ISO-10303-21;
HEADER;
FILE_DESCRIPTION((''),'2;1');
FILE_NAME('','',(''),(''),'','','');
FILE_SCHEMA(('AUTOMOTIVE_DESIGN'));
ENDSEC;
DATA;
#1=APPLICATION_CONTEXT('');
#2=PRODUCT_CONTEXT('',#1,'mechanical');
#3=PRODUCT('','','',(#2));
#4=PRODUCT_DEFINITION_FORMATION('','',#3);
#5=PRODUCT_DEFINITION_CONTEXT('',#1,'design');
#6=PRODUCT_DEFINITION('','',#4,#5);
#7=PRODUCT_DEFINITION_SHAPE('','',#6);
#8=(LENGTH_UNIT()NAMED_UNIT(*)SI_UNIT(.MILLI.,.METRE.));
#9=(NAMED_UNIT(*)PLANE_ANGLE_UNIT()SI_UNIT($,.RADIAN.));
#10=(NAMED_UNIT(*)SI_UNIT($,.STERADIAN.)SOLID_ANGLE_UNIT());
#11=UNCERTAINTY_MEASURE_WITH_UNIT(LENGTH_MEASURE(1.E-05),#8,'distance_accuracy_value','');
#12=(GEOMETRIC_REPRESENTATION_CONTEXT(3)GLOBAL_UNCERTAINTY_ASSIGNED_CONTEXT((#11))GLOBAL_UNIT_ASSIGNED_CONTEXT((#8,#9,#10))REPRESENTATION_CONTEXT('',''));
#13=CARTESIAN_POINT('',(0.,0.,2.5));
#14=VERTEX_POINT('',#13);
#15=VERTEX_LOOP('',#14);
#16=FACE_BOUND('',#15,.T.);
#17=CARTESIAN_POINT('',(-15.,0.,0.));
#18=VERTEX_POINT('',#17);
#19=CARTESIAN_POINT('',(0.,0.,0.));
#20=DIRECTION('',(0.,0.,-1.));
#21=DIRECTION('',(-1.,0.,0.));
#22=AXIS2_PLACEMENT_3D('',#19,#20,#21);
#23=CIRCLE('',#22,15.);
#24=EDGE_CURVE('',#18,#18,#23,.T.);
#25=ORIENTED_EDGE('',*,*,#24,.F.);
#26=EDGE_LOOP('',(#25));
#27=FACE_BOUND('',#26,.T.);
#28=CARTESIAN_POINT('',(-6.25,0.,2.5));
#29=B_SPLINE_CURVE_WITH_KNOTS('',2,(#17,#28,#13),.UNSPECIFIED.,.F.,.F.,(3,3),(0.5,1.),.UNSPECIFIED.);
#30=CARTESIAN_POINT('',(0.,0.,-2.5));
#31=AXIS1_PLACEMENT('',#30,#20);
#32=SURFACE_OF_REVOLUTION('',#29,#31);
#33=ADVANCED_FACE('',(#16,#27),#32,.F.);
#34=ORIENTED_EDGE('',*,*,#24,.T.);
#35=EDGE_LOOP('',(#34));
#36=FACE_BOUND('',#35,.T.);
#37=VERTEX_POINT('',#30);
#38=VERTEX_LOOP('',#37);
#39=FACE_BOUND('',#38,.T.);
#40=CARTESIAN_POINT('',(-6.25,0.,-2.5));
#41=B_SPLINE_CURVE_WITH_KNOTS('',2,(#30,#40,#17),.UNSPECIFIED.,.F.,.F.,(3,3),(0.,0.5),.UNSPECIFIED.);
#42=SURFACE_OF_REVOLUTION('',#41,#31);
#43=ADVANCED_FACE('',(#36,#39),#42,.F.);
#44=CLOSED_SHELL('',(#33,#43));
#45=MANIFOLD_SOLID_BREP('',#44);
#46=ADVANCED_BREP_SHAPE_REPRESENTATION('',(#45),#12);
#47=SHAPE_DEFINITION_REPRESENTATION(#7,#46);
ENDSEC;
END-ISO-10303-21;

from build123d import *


with BuildPart() as part:
    # 草图3 → 旋转1 (revolve)
    with BuildSketch(Plane(origin=(0, 0, 0), x_dir=(1, 0, 0), z_dir=(0, 1, 0))):
        with BuildLine():
            Line((0, 2.5), (0, -2.5))
            add(Edge.make_bspline(
                [(0, -2.5), (-6.25, -2.5), (-15, 0)],
                knots=[0.5, 0.5, 0.5, 1, 1, 1], degree=2))
            add(Edge.make_bspline(
                [(-15, 0), (-6.25, 2.5), (0, 2.5)],
                knots=[0, 0, 0, 0.5, 0.5, 0.5], degree=2))
        make_face()
    revolve(axis=Axis((0, 0, -2.5), (0, 0, 1)))


solid = part.part
